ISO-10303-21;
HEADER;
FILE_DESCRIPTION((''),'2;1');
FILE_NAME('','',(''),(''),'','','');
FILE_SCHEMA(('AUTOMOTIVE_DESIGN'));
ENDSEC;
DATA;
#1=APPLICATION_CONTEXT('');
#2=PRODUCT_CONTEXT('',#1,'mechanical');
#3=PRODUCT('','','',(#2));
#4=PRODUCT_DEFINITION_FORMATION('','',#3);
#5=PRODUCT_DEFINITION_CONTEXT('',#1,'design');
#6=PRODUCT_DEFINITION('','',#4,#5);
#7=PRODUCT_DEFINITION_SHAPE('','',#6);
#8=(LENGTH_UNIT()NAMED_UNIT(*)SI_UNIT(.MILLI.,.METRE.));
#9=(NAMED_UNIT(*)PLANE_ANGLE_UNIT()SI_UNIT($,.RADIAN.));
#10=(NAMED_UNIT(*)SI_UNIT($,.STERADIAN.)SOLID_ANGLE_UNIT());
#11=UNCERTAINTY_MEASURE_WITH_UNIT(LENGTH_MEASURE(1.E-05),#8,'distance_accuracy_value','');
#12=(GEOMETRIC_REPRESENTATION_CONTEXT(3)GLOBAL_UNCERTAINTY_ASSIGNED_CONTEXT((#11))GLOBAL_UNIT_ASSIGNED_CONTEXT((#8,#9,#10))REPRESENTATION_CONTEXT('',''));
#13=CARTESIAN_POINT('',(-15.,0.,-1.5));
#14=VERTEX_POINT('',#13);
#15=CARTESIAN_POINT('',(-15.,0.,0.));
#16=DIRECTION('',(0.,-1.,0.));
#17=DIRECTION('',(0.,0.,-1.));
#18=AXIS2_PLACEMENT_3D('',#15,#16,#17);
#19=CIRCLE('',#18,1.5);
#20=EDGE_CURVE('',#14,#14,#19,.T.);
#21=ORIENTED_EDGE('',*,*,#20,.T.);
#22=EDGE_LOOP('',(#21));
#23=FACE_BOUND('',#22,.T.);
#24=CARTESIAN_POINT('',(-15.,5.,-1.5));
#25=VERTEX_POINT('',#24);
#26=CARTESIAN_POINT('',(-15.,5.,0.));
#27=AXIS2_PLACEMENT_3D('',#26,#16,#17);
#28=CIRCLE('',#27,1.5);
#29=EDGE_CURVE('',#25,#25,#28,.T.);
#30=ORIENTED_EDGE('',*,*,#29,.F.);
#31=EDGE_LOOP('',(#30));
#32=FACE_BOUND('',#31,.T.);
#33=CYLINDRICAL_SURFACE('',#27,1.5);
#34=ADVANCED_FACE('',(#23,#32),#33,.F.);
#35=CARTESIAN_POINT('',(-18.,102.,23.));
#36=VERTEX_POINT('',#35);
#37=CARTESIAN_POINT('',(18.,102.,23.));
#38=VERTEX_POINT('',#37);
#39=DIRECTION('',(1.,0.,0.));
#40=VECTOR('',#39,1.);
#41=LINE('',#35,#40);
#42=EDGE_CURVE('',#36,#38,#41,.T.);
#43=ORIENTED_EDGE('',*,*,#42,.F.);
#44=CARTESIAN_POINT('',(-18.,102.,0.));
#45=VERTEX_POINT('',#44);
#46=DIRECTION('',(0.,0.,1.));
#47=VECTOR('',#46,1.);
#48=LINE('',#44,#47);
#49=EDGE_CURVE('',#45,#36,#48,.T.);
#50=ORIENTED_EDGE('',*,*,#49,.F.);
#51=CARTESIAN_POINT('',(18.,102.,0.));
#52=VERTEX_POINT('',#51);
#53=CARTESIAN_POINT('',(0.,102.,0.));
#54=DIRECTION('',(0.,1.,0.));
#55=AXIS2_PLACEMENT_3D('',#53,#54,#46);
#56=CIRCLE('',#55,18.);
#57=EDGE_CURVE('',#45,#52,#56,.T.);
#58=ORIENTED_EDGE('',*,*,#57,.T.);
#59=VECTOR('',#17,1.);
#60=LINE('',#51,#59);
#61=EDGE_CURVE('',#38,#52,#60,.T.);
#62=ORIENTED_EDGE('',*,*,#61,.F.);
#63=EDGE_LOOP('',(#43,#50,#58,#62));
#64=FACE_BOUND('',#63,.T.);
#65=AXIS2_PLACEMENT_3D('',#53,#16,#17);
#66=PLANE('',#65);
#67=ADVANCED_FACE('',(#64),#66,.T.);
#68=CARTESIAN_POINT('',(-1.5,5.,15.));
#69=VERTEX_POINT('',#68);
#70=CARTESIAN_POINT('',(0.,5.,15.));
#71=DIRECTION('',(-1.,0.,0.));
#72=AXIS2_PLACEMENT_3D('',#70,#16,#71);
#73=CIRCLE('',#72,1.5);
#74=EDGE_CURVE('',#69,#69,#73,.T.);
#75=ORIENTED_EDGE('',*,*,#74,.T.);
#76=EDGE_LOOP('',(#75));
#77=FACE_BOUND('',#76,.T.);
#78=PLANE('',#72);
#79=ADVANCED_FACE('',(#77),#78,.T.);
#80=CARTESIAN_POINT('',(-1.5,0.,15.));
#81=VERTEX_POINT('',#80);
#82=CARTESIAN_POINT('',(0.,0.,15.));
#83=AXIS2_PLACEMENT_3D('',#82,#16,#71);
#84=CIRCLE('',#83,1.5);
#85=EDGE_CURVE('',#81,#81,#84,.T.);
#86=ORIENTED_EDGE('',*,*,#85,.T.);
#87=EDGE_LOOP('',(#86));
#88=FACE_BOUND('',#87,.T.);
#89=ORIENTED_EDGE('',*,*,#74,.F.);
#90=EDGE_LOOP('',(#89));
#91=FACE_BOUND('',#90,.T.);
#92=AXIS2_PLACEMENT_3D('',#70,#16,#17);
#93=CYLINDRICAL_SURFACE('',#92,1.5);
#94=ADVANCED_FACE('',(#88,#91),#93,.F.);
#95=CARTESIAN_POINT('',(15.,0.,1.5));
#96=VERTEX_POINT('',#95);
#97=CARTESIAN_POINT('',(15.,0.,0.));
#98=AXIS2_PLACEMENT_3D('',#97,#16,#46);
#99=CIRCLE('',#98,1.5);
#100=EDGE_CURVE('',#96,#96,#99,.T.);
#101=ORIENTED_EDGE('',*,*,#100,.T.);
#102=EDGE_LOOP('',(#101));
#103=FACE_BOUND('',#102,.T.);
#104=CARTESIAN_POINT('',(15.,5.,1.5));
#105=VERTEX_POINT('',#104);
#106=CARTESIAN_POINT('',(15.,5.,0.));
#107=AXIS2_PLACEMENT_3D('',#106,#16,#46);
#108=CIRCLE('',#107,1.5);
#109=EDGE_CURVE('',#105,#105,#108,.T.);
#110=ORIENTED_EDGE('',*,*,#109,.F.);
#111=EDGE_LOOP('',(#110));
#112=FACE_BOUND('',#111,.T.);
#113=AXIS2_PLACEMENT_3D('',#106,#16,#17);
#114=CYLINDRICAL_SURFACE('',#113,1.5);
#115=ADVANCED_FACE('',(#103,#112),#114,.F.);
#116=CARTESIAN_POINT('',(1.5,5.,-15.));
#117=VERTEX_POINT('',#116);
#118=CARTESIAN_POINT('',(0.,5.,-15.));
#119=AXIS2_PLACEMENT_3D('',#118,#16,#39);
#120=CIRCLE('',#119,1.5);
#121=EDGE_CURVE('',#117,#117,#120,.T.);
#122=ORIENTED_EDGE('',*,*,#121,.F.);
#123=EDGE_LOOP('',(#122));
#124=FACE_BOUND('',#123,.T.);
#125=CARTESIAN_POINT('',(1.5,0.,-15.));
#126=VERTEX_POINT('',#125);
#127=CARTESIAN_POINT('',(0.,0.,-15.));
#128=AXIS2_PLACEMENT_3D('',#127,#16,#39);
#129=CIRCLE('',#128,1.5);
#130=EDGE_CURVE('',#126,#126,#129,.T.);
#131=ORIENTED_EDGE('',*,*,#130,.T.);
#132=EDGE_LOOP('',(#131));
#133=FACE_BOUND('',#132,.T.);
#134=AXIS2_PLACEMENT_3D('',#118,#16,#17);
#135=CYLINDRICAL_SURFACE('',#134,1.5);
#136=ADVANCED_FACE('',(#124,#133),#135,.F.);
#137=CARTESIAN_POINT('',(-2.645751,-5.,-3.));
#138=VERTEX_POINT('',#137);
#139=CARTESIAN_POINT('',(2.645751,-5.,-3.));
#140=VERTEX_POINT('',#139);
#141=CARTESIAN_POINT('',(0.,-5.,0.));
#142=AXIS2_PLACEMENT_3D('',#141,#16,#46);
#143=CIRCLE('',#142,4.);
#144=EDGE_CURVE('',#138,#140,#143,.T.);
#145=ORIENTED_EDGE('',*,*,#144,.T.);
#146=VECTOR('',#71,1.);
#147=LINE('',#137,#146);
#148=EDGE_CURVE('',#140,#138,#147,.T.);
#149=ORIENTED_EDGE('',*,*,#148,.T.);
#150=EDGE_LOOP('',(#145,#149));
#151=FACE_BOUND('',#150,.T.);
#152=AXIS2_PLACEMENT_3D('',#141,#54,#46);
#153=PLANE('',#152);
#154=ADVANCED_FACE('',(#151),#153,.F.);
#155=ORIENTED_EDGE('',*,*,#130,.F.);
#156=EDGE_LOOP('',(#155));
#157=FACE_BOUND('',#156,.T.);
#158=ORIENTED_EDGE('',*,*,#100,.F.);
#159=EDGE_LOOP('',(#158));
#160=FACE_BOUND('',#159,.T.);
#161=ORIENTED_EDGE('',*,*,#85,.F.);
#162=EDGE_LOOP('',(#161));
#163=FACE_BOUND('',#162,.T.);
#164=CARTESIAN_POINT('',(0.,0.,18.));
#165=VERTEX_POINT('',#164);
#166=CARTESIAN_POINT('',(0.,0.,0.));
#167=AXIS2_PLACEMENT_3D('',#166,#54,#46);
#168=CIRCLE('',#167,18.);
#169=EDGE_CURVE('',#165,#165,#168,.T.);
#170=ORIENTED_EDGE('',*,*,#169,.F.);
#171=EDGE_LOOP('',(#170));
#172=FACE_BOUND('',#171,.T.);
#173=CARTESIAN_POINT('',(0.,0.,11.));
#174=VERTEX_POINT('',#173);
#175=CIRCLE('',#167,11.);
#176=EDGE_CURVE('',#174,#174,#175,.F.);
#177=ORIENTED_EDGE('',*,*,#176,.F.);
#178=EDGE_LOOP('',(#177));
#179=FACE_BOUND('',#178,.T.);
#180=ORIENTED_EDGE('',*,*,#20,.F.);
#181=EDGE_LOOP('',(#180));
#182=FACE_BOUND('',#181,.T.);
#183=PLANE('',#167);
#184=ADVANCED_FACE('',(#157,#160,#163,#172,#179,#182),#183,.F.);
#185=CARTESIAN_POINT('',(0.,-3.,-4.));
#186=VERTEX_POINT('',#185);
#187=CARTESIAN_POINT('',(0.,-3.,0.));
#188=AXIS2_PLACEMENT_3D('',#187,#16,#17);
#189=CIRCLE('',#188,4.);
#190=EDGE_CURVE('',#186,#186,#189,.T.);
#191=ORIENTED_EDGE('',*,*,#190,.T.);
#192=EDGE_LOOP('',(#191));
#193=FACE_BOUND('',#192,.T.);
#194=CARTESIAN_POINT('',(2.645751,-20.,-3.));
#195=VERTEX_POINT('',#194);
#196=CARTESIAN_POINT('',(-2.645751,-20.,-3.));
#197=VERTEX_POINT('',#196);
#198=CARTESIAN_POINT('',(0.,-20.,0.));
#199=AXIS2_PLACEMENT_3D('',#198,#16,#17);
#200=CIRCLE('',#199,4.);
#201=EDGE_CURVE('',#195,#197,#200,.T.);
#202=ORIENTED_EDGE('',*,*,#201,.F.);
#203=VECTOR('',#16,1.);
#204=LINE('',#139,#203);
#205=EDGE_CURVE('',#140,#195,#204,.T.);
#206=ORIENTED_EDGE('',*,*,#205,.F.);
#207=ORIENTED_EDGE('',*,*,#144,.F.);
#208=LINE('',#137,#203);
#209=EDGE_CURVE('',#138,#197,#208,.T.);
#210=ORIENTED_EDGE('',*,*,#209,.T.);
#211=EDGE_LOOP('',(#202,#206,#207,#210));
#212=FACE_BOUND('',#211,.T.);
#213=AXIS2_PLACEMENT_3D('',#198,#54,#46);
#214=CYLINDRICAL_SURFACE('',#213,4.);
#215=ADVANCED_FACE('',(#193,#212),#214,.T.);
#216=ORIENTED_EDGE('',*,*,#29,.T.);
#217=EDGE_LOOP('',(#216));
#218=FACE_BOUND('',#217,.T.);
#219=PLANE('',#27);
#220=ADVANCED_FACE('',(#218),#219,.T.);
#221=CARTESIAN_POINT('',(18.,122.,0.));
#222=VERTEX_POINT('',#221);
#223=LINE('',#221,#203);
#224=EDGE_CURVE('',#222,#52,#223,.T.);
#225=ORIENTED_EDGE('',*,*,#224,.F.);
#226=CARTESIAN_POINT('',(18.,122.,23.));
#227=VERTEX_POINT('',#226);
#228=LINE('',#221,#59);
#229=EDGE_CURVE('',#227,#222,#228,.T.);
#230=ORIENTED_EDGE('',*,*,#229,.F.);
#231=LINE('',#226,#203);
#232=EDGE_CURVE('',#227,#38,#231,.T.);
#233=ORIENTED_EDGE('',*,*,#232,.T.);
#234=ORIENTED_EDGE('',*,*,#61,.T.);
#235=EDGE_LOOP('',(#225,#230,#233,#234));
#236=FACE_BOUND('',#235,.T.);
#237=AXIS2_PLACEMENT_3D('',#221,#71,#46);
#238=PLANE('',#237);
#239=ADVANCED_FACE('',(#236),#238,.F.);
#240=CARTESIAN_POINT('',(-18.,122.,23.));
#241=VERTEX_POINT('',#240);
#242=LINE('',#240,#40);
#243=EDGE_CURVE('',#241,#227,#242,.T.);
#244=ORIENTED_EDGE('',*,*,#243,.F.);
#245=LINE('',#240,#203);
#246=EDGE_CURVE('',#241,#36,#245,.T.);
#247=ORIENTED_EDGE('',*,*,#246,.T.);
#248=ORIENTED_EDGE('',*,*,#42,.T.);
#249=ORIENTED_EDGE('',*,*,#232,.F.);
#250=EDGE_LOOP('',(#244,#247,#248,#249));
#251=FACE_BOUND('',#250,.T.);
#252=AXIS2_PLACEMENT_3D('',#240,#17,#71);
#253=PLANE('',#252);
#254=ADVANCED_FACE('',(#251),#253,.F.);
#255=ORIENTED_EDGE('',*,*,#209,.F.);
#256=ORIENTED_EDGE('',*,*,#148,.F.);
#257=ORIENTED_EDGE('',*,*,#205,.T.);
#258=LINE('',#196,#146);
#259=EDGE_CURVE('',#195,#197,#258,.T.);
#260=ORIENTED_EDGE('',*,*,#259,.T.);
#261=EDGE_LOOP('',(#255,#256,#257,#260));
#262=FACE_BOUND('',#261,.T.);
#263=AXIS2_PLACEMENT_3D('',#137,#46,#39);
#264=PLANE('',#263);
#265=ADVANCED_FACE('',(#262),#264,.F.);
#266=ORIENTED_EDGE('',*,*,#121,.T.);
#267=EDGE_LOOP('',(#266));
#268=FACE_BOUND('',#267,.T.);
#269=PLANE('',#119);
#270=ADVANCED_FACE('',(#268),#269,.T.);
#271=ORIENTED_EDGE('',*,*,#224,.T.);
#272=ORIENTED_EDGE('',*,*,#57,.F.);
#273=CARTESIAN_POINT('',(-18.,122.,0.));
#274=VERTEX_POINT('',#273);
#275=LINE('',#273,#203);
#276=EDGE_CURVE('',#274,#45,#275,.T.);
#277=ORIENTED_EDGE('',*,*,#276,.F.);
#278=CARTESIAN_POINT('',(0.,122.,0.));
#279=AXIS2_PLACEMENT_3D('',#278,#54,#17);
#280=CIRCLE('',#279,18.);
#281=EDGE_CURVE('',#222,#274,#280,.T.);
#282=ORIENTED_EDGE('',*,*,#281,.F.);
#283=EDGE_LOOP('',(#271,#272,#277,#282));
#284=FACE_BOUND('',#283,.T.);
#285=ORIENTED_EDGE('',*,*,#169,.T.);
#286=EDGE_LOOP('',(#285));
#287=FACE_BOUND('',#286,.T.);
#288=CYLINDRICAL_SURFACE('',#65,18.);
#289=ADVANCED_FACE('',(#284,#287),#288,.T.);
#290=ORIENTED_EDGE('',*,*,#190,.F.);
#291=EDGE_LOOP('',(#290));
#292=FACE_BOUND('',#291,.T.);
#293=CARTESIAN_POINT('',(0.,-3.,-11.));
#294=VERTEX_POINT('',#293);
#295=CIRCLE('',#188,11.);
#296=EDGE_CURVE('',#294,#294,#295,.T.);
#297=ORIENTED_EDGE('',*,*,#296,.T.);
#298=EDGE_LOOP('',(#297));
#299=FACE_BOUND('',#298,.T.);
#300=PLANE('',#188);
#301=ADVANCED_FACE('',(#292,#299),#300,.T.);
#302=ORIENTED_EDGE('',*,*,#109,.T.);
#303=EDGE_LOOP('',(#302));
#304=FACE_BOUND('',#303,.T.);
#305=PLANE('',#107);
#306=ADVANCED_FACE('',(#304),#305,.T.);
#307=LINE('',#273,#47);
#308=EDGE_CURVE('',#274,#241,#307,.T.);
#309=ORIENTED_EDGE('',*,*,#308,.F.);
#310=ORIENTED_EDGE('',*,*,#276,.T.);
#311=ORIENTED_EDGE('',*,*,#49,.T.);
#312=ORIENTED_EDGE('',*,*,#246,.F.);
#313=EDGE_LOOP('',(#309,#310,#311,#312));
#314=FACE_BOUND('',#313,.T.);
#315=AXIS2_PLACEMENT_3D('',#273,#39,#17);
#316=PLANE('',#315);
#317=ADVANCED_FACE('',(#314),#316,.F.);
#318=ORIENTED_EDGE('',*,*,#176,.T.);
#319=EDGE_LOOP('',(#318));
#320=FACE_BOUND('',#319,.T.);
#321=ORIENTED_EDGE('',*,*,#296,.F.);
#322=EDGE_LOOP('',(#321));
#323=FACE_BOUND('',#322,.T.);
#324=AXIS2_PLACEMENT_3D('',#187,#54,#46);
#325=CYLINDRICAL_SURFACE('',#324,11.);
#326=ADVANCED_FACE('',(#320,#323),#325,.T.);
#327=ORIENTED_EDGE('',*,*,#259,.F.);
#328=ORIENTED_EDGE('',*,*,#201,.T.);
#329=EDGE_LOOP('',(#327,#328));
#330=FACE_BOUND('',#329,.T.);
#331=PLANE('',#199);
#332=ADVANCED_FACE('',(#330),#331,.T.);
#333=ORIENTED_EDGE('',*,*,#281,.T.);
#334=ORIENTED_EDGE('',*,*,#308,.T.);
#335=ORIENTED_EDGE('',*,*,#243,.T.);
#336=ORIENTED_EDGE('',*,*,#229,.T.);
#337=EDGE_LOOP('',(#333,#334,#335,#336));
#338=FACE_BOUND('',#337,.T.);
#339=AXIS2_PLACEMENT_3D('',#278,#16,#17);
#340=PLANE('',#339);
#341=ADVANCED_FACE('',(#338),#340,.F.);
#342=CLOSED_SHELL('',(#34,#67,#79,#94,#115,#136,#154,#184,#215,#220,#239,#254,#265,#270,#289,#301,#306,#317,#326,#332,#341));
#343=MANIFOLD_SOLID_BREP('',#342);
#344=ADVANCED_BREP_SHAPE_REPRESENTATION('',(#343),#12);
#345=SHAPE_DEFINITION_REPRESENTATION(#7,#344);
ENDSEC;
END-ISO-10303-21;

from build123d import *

# Parameters (mm, degrees)
SKETCH1_R           = 18
BOSS_EXTRUDE1_DEPTH = 102
SKETCH2_R           = 1.5
CUT_EXTRUDE1_DEPTH  = 5
CIRPATTERN1_COUNT   = 4
SKETCH3_R           = 11
BOSS_EXTRUDE2_DEPTH = 3
SKETCH4_R           = 4
BOSS_EXTRUDE3_DEPTH = 17
CUT_EXTRUDE2_START  = -15
CUT_EXTRUDE2_DEPTH  = 15
BOSS_EXTRUDE4_DEPTH = 20


with BuildPart() as part:
    # Sketch1 → Boss-Extrude1 (new body)
    with BuildSketch(Plane(origin=(0, 0, 0), x_dir=(1, 0, 0), z_dir=(0, 1, 0))):
        with Locations(Location((0, 0, 0), (0, 0, 270))):
            Circle(SKETCH1_R)
    extrude(amount=BOSS_EXTRUDE1_DEPTH)

    # Sketch2 → Cut-Extrude1 (cut)
    with BuildSketch(Plane.XZ):
        with Locations(Location((-15, 0, 0), (0, 0, 270))):
            Circle(SKETCH2_R)
    cut_extrude1 = extrude(amount=-CUT_EXTRUDE1_DEPTH, mode=Mode.SUBTRACT)

    # CirPattern1: Cut-Extrude1 ×4 about axis
    cirpattern1_axis = Axis((0, 0, 0), (0, 1, 0))
    for i in range(1, CIRPATTERN1_COUNT):
        add(cut_extrude1.rotate(cirpattern1_axis, i * 360 / CIRPATTERN1_COUNT), mode=Mode.SUBTRACT)

    # Sketch3 → Boss-Extrude2 (add)
    with BuildSketch(Plane.XZ):
        with Locations(Location((0, 0, 0), (0, 0, 90))):
            Circle(SKETCH3_R)
    extrude(amount=BOSS_EXTRUDE2_DEPTH)

    # Sketch4 → Boss-Extrude3 (add)
    with BuildSketch(Plane.XZ.offset(3)):
        with Locations(Location((0, 0, 0), (0, 0, 270))):
            Circle(SKETCH4_R)
    extrude(amount=BOSS_EXTRUDE3_DEPTH)

    # Sketch5 → Cut-Extrude2 (cut)
    with BuildSketch(Plane.XZ.offset(20).offset(CUT_EXTRUDE2_START)):
        with BuildLine():
            Line((-2.645751311, -3), (2.645751311, -3))
            ThreePointArc((2.645751311, -3), (0, -4), (-2.645751311, -3))
        make_face()
    extrude(amount=CUT_EXTRUDE2_DEPTH, mode=Mode.SUBTRACT)

    # Sketch7 → Boss-Extrude4 (add)
    with BuildSketch(Plane(origin=(0, 102, 0), x_dir=(1, 0, 0), z_dir=(0, 1, 0))):
        with BuildLine():
            Line((-18, 0), (-18, -23))
            Line((-18, -23), (18, -23))
            Line((18, -23), (18, 0))
            ThreePointArc((18, 0), (0, 18), (-18, 0))
        make_face()
    extrude(amount=BOSS_EXTRUDE4_DEPTH)


solid = part.part
